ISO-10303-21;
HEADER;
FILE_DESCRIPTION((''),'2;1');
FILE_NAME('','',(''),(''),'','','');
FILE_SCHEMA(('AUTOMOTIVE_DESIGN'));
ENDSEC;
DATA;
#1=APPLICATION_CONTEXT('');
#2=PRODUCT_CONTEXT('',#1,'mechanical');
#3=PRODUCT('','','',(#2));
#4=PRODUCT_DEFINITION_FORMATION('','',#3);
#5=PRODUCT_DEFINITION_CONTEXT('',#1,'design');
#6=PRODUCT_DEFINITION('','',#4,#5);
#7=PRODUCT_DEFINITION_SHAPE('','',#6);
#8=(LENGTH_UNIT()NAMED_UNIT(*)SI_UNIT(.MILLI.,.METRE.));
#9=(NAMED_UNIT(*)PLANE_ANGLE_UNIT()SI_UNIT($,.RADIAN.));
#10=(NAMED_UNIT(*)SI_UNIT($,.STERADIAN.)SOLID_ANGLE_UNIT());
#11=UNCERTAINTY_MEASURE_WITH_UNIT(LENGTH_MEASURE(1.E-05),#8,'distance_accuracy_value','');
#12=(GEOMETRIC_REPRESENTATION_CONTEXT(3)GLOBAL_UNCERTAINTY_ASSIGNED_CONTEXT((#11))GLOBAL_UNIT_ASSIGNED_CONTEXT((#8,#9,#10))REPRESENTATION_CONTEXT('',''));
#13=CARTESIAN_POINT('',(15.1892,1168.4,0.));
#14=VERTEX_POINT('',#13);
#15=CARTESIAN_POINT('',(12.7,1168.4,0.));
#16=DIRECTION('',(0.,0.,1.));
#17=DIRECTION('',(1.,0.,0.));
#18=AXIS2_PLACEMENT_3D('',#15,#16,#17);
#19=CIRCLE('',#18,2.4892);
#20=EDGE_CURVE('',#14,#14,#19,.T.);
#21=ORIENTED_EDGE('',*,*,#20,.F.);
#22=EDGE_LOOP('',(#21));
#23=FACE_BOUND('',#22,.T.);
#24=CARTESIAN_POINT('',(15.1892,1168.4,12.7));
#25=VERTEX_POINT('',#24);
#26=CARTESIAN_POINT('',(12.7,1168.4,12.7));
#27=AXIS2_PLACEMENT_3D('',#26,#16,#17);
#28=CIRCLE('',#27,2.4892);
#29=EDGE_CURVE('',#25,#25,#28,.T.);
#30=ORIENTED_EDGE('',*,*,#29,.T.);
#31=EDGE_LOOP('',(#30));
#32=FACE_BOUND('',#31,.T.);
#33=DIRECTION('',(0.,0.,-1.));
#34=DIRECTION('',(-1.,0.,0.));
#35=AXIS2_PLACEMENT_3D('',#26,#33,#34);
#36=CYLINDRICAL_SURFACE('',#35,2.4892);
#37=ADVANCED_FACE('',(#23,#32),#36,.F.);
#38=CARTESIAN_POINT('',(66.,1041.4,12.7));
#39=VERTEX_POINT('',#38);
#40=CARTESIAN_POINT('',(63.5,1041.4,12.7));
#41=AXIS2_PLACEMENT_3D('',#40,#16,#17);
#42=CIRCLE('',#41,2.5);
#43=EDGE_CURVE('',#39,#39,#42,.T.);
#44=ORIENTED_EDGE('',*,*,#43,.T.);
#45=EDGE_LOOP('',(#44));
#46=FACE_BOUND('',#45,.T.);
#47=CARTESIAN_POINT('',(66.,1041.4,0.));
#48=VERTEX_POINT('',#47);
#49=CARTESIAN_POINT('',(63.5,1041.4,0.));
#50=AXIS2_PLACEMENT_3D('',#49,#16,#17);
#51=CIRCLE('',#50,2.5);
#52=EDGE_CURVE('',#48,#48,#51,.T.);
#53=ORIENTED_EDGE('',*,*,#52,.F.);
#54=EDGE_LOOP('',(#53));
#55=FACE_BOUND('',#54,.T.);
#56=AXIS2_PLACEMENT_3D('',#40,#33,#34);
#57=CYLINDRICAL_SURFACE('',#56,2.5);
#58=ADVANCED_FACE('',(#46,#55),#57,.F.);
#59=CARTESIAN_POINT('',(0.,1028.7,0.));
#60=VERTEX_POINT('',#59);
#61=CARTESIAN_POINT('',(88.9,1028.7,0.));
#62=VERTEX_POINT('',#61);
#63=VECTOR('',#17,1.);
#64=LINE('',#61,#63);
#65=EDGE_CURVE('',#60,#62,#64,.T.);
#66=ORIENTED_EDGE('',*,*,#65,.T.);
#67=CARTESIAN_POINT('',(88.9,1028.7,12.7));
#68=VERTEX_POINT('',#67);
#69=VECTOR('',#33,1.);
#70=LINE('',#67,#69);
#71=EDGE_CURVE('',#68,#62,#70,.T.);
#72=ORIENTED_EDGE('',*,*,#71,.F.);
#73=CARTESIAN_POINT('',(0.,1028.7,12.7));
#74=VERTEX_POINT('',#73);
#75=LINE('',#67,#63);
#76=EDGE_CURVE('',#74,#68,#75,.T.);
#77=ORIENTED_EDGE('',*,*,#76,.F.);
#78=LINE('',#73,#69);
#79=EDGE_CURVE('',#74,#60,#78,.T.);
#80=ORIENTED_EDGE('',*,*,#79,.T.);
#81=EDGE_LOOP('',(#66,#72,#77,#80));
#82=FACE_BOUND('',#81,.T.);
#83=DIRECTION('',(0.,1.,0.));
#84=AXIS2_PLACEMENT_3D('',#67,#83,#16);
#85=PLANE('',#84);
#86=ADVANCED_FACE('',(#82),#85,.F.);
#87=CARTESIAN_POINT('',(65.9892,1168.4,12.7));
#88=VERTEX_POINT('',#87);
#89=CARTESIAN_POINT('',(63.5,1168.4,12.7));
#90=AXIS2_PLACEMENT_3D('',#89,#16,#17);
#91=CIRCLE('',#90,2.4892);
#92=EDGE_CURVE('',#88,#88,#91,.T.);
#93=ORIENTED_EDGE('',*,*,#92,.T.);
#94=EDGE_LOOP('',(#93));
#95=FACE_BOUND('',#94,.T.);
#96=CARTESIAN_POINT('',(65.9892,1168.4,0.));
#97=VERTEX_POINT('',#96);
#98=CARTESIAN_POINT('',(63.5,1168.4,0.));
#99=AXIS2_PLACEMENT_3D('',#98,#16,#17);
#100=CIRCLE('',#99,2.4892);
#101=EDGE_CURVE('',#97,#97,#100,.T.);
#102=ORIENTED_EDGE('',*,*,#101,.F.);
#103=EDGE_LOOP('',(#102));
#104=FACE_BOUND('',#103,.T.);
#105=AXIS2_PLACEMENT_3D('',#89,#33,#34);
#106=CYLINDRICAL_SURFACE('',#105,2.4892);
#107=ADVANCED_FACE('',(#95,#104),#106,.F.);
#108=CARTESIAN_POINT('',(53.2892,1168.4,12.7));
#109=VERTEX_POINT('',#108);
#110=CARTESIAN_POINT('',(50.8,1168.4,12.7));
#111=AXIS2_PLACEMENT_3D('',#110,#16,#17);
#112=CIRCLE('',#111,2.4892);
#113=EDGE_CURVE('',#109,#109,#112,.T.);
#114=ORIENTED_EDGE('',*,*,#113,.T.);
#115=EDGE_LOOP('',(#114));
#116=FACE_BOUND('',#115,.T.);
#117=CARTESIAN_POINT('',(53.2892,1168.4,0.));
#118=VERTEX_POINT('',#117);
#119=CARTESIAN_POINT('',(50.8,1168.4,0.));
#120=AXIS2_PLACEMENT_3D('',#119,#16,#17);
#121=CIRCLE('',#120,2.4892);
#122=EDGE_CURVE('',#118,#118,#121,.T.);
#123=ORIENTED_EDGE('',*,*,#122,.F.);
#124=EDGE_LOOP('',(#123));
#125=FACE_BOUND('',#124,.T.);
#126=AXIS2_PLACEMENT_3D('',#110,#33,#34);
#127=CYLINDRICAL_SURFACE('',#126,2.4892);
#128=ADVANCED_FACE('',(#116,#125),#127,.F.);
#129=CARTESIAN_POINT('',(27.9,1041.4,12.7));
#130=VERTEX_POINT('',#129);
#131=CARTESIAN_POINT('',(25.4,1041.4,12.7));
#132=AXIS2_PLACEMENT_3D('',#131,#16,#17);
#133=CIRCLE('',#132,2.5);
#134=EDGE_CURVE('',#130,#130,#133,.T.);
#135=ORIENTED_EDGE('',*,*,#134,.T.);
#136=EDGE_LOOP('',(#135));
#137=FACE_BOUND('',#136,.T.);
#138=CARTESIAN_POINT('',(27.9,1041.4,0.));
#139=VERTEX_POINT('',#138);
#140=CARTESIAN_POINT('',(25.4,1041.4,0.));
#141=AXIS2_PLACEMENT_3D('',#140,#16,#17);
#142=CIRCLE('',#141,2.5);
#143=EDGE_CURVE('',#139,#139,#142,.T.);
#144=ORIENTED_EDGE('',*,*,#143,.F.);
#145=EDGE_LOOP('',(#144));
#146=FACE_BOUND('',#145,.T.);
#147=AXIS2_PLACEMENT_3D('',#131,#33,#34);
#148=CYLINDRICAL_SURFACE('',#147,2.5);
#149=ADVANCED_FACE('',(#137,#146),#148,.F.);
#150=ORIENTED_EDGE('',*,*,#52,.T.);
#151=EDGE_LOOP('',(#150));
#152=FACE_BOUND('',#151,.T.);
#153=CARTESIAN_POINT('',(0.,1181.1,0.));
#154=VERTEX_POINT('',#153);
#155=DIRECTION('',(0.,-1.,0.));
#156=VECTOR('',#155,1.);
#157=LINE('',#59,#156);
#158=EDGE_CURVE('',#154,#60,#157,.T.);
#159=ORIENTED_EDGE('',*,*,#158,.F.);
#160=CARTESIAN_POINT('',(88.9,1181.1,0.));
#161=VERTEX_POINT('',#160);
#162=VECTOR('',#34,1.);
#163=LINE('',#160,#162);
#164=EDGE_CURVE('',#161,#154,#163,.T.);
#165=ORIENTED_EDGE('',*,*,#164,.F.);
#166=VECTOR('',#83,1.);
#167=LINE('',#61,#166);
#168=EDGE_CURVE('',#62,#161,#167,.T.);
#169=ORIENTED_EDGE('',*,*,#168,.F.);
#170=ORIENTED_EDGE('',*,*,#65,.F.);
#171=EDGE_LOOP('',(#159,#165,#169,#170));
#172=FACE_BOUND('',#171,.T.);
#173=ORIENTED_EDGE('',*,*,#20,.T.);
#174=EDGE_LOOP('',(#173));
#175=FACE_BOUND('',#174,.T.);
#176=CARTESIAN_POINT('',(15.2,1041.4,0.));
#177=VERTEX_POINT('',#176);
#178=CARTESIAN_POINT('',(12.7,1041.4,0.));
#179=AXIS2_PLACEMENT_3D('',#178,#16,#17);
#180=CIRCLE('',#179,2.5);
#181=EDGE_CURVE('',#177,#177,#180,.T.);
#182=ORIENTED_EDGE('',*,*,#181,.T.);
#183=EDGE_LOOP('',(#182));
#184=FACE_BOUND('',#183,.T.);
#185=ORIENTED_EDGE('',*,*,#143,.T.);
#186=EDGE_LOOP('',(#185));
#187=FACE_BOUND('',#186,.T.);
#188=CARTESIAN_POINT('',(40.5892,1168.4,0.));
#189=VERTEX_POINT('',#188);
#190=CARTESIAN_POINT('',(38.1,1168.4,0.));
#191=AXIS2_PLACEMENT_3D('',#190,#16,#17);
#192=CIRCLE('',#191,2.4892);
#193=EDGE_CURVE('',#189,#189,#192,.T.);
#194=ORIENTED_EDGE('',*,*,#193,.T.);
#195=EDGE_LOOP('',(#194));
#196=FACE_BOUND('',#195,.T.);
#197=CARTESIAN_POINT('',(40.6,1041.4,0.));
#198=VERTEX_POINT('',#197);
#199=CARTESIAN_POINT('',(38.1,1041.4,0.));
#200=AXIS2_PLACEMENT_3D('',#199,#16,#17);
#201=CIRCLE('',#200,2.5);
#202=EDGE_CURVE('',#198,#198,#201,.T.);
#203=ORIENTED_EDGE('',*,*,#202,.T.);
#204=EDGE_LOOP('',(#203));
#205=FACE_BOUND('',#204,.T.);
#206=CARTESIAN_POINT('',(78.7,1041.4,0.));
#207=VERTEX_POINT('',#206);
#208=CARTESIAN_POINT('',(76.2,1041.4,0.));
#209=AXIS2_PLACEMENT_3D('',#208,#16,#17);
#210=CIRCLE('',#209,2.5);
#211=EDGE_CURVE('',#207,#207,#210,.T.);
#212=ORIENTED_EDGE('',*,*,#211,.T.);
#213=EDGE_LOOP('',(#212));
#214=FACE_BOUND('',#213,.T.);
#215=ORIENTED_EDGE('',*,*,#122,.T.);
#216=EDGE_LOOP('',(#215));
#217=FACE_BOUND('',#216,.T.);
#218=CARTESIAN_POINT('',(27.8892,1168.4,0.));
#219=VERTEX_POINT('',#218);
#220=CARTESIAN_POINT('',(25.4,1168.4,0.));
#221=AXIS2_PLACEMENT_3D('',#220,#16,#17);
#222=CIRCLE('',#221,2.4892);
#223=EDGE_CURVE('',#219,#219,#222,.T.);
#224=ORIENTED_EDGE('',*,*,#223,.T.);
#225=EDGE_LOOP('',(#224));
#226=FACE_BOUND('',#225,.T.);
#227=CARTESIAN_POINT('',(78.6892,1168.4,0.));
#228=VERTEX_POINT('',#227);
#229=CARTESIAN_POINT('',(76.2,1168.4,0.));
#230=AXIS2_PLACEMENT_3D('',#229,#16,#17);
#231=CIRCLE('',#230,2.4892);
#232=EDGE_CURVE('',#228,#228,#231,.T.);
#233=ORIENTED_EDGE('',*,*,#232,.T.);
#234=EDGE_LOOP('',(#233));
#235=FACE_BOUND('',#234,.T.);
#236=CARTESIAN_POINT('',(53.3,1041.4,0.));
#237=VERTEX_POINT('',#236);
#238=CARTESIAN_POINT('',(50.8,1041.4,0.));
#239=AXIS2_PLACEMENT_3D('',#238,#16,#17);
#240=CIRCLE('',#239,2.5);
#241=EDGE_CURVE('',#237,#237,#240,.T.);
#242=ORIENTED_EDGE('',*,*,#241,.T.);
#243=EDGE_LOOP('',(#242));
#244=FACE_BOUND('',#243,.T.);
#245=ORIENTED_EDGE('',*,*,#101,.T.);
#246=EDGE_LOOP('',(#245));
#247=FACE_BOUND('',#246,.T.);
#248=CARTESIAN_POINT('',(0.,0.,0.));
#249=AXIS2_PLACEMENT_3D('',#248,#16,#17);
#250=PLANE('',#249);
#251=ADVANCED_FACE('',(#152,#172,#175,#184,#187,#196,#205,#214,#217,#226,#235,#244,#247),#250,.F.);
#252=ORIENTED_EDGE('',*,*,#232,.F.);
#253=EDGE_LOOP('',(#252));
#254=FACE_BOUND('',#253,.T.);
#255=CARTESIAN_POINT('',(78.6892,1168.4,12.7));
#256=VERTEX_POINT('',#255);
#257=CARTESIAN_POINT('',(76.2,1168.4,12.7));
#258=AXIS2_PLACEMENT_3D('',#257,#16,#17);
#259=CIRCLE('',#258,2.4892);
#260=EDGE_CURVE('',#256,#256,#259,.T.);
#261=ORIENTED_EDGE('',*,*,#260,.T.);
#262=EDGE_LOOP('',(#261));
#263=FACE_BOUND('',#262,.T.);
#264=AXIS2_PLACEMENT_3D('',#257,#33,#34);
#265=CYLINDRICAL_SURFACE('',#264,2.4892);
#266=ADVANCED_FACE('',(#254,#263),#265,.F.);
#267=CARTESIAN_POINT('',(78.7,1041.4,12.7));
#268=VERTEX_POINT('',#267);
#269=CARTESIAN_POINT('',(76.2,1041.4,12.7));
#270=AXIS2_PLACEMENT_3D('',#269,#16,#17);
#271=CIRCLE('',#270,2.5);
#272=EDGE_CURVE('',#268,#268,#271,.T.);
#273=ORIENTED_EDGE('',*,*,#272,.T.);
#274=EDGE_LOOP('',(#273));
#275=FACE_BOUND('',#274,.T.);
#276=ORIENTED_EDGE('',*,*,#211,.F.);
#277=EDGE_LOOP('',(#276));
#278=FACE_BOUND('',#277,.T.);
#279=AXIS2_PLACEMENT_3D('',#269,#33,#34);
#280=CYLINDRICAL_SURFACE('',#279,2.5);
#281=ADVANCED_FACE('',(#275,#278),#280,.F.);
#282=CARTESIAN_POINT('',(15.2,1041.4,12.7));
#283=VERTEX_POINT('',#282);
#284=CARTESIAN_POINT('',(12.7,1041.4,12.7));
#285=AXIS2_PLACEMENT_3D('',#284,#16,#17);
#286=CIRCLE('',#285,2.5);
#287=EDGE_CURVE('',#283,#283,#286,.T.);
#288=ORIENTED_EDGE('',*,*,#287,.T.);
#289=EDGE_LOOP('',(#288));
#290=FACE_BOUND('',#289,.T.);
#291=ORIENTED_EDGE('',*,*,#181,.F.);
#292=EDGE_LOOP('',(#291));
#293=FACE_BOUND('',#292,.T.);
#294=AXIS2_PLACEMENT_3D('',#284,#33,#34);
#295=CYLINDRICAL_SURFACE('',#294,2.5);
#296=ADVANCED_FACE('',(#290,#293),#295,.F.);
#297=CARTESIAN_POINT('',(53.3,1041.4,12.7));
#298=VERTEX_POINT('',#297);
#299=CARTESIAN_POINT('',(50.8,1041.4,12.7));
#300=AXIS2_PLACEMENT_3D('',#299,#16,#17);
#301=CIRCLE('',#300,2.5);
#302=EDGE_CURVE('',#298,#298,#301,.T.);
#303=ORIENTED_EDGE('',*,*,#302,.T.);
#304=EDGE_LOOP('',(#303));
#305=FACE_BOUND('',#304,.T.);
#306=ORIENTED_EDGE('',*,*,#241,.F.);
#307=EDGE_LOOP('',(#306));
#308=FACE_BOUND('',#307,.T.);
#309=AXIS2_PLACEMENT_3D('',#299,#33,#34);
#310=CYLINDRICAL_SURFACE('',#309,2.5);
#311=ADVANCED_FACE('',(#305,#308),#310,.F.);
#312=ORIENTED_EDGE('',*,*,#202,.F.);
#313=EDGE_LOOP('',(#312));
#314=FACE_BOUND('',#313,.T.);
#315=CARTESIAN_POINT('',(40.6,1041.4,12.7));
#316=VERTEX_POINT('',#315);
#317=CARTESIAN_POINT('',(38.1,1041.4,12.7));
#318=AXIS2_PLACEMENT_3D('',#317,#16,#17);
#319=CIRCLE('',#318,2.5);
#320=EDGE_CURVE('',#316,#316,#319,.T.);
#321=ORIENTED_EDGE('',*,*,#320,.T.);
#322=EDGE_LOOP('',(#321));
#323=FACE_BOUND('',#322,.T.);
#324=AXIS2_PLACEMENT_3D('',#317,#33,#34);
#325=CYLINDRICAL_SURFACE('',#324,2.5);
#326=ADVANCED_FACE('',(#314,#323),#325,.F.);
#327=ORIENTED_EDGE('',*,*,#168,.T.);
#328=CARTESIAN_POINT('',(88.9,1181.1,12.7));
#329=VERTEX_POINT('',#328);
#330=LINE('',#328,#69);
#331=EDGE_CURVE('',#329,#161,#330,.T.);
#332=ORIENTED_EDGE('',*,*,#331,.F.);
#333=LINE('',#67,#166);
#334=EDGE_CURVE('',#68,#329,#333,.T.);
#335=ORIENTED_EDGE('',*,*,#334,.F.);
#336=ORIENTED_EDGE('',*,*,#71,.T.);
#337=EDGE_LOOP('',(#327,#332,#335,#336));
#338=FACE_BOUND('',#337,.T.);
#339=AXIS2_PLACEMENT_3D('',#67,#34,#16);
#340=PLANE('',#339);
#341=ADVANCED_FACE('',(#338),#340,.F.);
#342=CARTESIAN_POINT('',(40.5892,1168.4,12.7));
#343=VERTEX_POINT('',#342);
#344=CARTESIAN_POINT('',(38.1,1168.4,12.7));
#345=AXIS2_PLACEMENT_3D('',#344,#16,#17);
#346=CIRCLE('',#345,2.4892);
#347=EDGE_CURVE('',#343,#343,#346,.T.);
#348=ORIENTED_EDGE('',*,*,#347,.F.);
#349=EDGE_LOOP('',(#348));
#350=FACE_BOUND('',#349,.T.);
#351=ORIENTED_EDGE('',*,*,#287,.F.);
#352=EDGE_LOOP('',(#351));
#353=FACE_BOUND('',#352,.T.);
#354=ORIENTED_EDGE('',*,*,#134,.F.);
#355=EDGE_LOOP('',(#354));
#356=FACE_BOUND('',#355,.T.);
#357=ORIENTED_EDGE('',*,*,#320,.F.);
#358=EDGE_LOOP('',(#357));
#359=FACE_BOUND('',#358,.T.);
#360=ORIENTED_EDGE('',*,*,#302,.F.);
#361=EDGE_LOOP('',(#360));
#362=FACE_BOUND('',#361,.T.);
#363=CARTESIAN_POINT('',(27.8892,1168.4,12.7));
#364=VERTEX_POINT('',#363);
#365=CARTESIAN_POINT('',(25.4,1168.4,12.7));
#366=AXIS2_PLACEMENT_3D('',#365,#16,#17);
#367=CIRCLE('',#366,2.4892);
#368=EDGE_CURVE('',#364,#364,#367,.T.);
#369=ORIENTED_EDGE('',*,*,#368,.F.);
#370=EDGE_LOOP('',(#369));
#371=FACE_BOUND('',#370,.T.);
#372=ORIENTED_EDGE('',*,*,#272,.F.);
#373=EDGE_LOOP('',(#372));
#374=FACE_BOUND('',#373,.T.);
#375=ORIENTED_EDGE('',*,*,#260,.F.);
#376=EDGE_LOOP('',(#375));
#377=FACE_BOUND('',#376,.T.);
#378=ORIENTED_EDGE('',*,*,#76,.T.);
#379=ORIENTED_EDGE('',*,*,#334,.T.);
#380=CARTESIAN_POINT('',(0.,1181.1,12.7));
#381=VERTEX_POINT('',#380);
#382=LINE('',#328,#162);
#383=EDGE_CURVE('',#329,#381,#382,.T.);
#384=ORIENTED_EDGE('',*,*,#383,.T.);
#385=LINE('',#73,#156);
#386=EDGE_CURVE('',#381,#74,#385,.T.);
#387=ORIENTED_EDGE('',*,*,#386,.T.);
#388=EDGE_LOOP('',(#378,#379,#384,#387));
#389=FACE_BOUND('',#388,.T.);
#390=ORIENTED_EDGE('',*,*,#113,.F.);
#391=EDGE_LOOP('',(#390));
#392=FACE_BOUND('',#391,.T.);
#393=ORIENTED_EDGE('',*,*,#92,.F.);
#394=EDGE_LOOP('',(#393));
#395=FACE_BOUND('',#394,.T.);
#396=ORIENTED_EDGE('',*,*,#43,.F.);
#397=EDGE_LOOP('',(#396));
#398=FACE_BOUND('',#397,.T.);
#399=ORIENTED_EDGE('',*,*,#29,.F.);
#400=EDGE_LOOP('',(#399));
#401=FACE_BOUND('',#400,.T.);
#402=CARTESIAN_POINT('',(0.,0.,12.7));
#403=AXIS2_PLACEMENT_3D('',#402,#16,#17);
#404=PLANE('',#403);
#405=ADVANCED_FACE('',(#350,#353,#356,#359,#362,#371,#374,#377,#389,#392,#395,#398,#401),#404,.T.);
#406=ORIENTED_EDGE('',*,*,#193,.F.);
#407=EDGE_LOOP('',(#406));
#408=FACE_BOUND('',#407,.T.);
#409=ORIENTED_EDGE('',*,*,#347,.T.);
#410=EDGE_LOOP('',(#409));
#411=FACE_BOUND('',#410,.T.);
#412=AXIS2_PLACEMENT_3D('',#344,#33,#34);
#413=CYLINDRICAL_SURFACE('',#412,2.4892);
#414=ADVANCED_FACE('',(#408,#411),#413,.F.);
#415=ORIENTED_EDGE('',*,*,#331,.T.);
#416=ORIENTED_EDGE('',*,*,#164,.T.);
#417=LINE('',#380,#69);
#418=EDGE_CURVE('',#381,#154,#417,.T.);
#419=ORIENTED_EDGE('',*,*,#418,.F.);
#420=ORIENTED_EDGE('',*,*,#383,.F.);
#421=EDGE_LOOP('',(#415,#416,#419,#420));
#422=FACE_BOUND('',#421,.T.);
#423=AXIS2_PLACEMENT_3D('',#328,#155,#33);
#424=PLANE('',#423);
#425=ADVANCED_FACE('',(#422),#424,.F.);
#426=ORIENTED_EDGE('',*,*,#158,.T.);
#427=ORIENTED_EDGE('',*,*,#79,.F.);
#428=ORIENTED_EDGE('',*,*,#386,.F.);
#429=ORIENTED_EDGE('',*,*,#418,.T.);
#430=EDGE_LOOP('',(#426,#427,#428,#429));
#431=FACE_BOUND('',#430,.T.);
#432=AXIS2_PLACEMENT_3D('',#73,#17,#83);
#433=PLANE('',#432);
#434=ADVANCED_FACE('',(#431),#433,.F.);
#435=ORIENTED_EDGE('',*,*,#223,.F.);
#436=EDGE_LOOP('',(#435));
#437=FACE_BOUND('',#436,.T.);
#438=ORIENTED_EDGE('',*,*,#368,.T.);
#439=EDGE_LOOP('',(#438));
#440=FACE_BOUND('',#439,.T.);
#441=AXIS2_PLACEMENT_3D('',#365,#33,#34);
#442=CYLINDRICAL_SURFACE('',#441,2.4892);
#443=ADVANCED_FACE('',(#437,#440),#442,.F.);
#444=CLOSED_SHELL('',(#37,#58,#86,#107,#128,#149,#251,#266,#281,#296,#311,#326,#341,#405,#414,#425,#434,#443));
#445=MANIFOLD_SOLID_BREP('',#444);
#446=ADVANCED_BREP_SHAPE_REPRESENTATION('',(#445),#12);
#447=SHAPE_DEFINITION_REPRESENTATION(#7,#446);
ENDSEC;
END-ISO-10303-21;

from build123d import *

# Parameters (mm, degrees)
SKETCH1_W           = 88.9
SKETCH1_H           = 152.4
SKETCH1_R           = 2.5
SKETCH1_R_2         = 2.4892
BOSS_EXTRUDE1_DEPTH = 12.7


with BuildPart() as part:
    # Sketch1 → Boss-Extrude1 (new body)
    with BuildSketch(Plane.XY):
        with Locations((44.45, 1104.9)):
            Rectangle(SKETCH1_W, SKETCH1_H)
        with Locations((76.2, 1041.4)):
            Circle(SKETCH1_R, mode=Mode.SUBTRACT)
        with Locations((63.5, 1041.4)):
            Circle(SKETCH1_R, mode=Mode.SUBTRACT)
        with Locations((50.8, 1041.4)):
            Circle(SKETCH1_R, mode=Mode.SUBTRACT)
        with Locations((76.2, 1168.4)):
            Circle(SKETCH1_R_2, mode=Mode.SUBTRACT)
        with Locations((63.5, 1168.4)):
            Circle(SKETCH1_R_2, mode=Mode.SUBTRACT)
        with Locations((50.8, 1168.4)):
            Circle(SKETCH1_R_2, mode=Mode.SUBTRACT)
        with Locations((38.1, 1168.4)):
            Circle(SKETCH1_R_2, mode=Mode.SUBTRACT)
        with Locations((38.1, 1041.4)):
            Circle(SKETCH1_R, mode=Mode.SUBTRACT)
        with Locations((25.4, 1168.4)):
            Circle(SKETCH1_R_2, mode=Mode.SUBTRACT)
        with Locations((25.4, 1041.4)):
            Circle(SKETCH1_R, mode=Mode.SUBTRACT)
        with Locations((12.7, 1168.4)):
            Circle(SKETCH1_R_2, mode=Mode.SUBTRACT)
        with Locations((12.7, 1041.4)):
            Circle(SKETCH1_R, mode=Mode.SUBTRACT)
    extrude(amount=BOSS_EXTRUDE1_DEPTH)


solid = part.part
